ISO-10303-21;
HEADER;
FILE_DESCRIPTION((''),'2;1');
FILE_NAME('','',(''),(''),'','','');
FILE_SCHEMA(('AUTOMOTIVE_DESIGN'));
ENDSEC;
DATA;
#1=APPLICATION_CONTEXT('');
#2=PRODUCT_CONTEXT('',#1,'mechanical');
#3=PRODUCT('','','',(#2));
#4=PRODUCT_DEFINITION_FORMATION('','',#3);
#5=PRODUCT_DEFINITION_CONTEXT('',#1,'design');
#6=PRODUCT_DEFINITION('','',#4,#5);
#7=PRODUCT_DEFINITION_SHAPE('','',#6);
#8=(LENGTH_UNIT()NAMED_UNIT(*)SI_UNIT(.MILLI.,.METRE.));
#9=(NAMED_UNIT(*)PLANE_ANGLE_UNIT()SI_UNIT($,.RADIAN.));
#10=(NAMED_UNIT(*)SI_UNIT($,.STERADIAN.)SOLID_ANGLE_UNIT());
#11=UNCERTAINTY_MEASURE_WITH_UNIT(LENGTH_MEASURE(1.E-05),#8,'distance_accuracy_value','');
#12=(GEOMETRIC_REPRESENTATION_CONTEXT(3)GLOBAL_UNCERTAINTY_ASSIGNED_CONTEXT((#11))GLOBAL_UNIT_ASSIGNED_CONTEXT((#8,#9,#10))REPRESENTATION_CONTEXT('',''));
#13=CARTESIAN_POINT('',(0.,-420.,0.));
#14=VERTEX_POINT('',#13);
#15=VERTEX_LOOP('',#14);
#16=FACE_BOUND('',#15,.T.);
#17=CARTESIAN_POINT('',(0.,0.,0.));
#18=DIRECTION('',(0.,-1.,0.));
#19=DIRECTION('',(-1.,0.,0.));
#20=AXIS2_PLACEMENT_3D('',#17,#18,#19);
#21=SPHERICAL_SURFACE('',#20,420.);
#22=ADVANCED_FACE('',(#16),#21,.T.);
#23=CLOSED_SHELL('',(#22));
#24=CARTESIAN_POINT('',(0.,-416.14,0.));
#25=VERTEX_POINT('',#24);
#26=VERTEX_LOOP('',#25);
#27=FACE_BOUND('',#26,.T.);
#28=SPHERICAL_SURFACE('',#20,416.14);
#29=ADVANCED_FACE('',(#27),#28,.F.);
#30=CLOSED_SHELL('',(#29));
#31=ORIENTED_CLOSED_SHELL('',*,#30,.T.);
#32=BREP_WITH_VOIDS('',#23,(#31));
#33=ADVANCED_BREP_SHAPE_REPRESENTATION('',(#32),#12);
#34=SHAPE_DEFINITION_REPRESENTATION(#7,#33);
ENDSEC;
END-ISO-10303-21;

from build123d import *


with BuildPart() as part:
    # Sketch2 → Revolve6 (revolve)
    with BuildSketch(Plane.XY):
        with BuildLine():
            Line((0, 420), (0, 416.14))
            ThreePointArc((0, 416.14), (-416.14, 0), (0, -416.14))
            Line((0, -416.14), (0, -420))
            ThreePointArc((0, -420), (-420, 0), (0, 420))
        make_face()
    revolve(axis=Axis((0, -420, 0), (0, 1, 0)))


solid = part.part
